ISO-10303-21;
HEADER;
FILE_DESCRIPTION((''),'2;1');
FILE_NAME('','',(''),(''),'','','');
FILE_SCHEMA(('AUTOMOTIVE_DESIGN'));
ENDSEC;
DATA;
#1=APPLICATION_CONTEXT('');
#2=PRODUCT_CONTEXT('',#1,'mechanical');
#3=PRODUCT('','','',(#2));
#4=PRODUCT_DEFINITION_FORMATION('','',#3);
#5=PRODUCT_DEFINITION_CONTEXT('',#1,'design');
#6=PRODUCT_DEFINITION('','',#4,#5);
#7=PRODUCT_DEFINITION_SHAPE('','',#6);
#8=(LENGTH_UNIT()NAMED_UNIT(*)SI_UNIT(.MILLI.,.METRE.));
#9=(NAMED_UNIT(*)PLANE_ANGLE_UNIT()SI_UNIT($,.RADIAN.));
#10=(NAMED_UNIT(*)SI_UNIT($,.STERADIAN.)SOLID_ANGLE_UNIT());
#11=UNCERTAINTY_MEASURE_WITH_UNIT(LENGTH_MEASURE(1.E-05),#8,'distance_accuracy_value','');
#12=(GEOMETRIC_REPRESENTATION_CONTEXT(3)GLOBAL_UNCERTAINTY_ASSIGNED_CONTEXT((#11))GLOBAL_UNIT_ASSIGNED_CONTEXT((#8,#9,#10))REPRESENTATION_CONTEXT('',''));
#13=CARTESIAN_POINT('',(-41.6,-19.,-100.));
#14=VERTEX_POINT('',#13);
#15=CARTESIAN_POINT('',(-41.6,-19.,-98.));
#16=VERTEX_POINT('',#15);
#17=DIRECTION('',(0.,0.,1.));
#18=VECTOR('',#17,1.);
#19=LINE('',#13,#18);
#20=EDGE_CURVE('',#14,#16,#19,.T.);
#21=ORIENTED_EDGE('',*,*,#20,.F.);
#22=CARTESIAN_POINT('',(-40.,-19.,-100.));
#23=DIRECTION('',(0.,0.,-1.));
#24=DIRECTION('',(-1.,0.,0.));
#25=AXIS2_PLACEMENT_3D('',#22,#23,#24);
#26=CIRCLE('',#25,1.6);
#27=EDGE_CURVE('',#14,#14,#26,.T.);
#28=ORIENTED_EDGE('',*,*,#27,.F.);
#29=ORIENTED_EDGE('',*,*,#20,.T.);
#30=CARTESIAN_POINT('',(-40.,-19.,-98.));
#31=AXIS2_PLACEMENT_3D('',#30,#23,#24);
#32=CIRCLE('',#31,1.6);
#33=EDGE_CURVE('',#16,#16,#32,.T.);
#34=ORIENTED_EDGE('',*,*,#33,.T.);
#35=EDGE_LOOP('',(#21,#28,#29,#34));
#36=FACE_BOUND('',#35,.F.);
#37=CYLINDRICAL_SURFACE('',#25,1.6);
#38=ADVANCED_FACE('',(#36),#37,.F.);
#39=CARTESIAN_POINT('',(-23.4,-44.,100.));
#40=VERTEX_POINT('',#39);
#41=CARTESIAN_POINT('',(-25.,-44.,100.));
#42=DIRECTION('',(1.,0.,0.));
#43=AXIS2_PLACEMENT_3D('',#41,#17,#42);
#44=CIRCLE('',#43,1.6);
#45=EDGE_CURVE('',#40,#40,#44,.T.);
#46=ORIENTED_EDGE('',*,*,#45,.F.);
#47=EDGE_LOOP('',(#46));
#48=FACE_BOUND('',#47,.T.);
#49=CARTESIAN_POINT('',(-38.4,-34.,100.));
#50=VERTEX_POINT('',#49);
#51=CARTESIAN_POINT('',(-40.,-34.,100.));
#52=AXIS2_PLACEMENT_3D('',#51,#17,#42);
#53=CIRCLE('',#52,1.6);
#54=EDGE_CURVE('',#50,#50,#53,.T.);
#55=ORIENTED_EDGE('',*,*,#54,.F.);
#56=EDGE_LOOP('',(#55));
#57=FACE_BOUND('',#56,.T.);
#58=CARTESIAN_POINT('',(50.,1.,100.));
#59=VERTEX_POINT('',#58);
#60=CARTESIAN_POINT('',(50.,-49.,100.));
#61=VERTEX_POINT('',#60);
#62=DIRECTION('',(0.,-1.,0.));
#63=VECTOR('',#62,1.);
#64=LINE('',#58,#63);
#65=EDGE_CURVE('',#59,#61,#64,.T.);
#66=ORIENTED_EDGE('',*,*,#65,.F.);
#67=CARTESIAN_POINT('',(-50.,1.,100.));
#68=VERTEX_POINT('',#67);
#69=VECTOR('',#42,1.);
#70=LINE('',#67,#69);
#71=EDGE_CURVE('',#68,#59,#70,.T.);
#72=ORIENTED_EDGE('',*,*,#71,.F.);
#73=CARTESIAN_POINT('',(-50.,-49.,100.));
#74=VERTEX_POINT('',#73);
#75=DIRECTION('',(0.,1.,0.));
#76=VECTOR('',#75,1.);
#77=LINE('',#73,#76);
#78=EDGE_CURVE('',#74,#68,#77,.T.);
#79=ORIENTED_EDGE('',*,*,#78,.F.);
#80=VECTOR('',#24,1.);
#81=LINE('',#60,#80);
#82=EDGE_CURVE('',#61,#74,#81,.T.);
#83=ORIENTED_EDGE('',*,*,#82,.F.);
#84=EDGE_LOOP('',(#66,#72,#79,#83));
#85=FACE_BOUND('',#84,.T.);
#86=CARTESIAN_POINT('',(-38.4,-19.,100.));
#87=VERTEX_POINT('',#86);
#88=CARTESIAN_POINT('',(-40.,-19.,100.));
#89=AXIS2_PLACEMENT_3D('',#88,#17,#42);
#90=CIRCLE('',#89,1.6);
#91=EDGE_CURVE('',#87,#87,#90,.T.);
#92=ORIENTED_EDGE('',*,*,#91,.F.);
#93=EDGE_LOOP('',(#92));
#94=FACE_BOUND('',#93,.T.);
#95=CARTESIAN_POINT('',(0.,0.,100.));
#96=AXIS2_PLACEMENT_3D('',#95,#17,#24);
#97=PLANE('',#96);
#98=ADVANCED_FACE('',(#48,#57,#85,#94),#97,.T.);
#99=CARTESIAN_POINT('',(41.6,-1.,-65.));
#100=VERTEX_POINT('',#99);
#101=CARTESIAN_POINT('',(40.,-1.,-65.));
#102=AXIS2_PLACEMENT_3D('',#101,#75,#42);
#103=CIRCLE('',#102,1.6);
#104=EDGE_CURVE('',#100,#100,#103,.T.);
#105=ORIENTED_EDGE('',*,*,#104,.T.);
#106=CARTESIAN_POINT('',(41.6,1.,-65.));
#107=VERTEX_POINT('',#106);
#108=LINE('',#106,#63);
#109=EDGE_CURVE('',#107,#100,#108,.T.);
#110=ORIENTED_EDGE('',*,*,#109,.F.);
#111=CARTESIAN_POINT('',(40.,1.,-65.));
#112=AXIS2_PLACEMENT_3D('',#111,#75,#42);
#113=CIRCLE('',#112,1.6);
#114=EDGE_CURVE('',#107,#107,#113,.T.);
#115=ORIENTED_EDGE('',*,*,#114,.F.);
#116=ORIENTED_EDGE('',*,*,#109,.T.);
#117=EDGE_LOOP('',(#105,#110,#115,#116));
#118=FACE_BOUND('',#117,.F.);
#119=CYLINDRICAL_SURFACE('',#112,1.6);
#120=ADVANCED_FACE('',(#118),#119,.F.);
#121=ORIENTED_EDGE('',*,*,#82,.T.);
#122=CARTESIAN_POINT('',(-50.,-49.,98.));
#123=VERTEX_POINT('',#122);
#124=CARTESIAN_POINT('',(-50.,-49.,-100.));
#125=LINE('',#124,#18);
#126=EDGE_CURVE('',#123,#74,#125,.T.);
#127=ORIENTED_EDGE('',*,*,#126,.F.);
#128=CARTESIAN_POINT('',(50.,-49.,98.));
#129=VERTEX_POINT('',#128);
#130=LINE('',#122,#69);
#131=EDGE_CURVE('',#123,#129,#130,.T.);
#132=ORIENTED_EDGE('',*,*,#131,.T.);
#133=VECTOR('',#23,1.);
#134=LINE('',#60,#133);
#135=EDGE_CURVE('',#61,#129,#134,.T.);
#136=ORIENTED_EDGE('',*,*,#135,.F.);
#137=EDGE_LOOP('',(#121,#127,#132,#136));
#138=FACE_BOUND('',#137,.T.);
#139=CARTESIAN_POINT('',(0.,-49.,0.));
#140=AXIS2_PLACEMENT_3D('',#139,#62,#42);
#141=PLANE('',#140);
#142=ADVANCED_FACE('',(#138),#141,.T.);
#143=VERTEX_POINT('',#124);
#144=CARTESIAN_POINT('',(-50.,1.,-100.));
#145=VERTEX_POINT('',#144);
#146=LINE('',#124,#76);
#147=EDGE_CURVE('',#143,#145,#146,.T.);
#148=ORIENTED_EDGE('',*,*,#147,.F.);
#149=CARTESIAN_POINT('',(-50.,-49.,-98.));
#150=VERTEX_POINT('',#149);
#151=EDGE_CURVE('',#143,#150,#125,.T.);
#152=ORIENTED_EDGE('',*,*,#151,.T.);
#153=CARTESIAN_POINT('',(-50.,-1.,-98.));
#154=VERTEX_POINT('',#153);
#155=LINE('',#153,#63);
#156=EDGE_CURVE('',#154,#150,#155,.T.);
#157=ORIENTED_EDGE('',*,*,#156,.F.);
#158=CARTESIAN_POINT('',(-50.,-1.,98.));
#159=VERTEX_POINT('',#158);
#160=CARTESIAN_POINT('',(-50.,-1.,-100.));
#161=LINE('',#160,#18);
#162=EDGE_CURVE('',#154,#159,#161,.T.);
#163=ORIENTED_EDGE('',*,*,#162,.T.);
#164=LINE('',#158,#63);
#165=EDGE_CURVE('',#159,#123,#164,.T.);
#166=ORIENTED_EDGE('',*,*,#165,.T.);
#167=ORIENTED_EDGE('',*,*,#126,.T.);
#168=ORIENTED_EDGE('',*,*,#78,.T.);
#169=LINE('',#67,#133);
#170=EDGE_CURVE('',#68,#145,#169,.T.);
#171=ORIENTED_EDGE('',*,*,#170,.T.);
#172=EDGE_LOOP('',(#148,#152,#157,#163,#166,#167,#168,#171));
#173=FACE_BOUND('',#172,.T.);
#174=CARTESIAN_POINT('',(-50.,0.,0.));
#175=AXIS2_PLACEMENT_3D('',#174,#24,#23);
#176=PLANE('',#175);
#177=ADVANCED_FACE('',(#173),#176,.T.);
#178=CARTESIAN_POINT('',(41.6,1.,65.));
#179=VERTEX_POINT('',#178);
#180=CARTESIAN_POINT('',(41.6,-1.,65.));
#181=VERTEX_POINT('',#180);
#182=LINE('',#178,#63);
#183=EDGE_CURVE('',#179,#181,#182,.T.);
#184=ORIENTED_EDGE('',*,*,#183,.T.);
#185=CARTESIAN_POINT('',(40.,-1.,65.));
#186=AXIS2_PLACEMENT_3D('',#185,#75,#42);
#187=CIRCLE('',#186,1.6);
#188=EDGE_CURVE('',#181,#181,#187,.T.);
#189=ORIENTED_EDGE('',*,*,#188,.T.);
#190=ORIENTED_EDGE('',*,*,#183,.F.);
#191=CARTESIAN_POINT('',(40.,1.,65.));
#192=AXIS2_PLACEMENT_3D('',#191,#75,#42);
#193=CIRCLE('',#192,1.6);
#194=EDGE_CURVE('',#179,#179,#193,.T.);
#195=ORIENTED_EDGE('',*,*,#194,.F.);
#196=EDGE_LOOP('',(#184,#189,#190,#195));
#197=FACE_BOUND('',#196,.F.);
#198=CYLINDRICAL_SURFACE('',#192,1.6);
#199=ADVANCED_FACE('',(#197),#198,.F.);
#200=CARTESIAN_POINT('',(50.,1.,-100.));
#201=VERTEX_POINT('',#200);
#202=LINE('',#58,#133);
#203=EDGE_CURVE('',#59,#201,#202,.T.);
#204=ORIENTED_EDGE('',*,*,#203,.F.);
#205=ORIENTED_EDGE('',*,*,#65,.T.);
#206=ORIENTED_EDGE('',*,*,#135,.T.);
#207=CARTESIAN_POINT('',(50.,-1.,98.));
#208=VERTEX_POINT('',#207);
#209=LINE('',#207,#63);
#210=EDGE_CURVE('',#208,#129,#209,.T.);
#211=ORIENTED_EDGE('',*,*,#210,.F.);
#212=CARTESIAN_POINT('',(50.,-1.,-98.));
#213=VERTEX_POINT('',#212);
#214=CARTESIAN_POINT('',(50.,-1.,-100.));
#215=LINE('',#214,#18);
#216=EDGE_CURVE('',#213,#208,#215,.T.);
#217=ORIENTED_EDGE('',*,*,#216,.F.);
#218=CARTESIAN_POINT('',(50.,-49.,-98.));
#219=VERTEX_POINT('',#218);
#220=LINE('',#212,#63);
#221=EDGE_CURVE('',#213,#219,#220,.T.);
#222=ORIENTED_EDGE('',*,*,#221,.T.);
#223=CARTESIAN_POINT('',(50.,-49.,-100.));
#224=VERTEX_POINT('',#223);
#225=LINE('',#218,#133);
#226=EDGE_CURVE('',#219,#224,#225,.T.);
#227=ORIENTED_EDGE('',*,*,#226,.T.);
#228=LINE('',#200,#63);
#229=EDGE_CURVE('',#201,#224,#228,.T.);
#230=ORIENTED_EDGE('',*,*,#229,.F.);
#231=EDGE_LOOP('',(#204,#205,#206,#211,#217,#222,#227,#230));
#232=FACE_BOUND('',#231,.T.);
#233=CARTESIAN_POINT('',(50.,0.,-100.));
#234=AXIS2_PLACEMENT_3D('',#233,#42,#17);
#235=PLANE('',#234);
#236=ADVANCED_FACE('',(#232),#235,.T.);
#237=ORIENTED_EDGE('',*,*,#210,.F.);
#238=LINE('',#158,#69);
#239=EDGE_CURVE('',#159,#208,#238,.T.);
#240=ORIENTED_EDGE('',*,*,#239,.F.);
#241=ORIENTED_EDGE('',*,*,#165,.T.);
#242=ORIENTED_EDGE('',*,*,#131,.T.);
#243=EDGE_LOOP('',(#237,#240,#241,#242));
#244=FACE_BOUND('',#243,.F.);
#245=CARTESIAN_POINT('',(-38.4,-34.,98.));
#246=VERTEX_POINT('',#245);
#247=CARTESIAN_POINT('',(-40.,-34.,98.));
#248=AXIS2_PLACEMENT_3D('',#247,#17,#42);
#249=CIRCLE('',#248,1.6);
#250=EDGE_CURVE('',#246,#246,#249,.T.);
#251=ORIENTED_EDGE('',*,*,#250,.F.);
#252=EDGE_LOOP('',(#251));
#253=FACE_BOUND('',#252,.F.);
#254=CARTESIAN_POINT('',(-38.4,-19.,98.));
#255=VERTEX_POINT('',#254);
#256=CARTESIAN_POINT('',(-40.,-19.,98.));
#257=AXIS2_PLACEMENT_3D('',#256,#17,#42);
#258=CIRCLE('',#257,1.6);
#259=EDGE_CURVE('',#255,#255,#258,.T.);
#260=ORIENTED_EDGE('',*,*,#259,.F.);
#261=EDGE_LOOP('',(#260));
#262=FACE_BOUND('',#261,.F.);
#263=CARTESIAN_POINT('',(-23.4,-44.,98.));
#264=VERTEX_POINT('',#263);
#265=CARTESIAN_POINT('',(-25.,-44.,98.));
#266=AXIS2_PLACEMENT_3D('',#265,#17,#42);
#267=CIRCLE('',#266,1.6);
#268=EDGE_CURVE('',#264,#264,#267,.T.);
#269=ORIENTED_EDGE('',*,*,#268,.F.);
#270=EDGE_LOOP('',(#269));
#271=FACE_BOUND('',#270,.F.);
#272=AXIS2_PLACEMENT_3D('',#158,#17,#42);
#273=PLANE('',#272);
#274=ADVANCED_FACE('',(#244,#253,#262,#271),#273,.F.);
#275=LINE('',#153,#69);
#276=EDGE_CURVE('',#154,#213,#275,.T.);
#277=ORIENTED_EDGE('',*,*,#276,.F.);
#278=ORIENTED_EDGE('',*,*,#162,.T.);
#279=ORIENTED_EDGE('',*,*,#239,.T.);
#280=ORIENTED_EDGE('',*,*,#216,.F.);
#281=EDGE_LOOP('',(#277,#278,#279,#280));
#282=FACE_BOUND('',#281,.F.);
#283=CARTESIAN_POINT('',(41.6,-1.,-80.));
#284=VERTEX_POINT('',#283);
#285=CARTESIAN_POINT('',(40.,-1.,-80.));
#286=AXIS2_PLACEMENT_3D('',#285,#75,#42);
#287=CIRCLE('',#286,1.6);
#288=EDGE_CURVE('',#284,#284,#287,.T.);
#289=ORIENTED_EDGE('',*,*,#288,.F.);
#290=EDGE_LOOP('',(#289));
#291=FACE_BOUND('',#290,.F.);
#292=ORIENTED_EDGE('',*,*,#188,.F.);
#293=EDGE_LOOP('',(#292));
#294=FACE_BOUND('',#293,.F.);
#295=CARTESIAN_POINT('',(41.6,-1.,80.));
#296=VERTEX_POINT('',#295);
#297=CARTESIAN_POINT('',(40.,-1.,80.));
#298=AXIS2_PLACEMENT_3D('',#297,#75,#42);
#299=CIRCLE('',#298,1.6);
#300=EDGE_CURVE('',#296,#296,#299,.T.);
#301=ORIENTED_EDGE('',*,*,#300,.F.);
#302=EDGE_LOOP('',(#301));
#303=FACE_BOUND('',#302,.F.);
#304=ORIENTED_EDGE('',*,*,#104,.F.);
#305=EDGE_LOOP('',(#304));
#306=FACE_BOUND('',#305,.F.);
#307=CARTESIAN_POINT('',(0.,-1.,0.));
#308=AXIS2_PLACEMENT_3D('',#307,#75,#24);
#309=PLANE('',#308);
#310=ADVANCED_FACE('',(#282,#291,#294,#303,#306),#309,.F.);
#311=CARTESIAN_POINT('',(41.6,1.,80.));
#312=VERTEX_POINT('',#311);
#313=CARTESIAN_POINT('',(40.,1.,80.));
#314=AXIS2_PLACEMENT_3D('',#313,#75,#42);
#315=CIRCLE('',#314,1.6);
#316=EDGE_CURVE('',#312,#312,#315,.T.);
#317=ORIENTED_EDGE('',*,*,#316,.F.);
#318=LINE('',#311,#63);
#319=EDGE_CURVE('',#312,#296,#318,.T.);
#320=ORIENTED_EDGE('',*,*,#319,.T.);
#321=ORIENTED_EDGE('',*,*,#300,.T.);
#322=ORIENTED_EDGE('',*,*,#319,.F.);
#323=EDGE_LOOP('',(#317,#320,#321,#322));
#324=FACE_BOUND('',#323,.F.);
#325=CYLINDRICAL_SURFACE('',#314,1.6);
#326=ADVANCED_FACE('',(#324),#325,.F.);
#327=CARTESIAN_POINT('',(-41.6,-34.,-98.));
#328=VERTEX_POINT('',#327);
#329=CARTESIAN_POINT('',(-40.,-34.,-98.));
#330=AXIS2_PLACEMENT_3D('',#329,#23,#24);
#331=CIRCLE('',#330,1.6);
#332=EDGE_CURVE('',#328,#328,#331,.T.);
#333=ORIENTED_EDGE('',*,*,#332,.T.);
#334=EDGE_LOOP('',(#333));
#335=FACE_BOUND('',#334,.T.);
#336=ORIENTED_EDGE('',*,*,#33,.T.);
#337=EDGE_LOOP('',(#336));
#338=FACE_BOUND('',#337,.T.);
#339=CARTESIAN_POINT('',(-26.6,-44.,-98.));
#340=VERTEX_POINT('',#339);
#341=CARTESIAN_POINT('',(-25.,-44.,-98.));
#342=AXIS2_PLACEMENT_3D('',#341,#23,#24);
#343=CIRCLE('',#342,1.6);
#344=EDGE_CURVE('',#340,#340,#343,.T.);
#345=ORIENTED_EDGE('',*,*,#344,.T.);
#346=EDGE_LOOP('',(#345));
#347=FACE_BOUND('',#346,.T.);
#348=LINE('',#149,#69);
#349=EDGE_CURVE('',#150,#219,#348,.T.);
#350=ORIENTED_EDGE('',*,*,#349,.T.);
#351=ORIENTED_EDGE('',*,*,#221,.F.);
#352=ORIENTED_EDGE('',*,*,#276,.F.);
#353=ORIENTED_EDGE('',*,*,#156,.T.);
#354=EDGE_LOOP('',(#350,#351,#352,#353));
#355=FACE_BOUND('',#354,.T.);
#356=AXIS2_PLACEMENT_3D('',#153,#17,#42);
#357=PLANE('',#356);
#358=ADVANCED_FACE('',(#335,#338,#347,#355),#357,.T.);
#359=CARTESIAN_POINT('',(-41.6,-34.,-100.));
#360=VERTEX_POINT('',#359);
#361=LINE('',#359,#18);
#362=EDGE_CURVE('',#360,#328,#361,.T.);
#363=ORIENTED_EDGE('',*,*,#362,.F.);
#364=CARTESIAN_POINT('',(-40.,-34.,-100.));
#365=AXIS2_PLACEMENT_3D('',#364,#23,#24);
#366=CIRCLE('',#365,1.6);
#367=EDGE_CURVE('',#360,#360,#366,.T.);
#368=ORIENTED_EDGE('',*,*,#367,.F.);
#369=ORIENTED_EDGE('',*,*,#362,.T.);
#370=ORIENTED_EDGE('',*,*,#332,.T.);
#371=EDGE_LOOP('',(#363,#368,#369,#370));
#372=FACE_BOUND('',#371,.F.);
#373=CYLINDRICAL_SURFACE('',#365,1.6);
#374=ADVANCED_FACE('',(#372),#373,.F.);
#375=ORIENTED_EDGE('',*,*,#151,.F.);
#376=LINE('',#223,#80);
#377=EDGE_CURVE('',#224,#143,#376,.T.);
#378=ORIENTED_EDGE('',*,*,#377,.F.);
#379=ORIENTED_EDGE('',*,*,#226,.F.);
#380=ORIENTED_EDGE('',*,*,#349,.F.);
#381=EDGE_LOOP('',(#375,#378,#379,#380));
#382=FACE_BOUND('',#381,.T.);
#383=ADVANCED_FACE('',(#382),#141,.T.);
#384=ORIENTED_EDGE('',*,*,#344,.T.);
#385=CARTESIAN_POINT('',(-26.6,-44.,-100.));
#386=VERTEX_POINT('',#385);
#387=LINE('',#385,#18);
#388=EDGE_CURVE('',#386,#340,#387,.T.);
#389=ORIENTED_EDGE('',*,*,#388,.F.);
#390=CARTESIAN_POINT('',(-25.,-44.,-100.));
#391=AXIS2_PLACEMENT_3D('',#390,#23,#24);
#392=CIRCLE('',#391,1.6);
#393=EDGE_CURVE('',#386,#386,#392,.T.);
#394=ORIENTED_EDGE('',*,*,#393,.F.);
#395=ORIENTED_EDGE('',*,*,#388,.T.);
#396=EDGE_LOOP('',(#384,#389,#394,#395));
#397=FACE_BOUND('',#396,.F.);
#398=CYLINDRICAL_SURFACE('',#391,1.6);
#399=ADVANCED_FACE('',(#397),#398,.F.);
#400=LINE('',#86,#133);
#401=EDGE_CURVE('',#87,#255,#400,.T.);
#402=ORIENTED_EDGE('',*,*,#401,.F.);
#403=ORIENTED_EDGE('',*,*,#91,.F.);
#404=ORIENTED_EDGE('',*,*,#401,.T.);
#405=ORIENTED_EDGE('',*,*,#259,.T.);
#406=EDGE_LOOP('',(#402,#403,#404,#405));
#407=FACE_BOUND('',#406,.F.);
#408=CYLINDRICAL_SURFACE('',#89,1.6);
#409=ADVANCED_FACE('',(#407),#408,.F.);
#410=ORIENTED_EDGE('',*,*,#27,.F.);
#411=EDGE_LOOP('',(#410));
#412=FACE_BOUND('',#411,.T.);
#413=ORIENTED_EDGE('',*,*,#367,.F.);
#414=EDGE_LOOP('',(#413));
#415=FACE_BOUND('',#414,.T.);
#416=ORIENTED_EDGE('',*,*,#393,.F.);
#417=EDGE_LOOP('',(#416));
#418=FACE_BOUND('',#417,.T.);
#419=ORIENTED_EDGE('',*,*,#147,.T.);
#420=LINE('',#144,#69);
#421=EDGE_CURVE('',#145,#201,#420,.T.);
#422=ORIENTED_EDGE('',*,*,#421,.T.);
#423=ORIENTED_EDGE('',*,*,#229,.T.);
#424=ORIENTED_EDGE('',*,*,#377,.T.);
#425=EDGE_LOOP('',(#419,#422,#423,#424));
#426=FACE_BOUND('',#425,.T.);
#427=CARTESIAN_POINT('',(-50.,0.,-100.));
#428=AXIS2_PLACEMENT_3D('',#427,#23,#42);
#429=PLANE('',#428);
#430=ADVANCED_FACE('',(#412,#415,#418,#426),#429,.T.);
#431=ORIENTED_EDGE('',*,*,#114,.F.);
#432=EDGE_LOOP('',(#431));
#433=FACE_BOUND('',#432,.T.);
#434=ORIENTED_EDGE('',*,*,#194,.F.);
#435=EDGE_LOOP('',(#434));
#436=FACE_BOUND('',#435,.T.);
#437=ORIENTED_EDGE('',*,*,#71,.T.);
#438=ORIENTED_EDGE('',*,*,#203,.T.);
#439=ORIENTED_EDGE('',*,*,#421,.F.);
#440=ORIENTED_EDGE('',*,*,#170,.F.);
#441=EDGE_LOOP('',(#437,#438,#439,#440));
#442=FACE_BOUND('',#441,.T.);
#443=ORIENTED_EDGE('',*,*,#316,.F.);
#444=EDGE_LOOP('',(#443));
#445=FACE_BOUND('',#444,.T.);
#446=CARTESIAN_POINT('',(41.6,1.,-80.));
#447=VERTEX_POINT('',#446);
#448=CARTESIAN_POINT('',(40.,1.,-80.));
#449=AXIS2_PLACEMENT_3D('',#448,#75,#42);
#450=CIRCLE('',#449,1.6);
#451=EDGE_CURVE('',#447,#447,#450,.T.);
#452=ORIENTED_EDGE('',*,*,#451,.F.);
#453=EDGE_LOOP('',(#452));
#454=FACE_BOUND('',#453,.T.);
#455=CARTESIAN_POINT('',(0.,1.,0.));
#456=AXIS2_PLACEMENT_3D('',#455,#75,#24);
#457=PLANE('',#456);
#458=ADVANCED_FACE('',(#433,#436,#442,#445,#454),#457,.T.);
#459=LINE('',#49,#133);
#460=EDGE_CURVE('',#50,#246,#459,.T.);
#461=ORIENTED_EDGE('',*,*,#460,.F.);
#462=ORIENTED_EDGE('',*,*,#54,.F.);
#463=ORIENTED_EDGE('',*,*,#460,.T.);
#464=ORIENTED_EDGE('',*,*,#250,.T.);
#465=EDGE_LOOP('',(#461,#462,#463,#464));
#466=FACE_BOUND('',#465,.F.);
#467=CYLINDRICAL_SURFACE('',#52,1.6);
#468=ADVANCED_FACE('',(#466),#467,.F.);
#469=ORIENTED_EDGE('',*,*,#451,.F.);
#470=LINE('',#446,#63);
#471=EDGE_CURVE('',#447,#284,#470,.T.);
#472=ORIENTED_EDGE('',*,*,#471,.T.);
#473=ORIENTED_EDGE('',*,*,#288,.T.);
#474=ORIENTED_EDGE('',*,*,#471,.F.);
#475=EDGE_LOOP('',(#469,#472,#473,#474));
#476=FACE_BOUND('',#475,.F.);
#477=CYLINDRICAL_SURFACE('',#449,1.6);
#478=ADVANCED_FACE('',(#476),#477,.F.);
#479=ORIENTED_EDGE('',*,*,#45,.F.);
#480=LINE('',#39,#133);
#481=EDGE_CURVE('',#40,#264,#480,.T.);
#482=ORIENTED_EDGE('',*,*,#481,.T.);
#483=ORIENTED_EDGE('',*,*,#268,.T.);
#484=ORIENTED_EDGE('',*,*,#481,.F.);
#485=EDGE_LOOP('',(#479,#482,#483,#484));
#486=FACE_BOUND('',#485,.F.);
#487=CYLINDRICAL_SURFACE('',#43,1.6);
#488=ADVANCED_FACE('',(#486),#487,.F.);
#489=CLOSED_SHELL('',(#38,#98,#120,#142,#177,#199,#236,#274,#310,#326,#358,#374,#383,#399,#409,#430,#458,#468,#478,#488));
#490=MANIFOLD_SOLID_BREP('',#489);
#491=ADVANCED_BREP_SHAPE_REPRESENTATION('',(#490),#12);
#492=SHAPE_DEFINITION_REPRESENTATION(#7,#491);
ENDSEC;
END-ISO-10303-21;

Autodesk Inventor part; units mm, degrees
ref_plane "YZ Plane" through (0, 0, 0) normal (1, 0, 0) x (0, 1, 0)
ref_plane "XZ Plane" through (0, 0, 0) normal (0, 1, 0) x (-1, 0, 0)
ref_plane "XY Plane" through (0, 0, 0) normal (0, 0, 1) x (1, 0, 0)
sketch "Skizze1" plane through (0, 0, 0) normal (0, 1, 0) x (-1, 0, 0)
  line L0 (50, -100) -> (-50, -100)
  line L1 (-50, -100) -> (-50, 100)
  line L2 (-50, 100) -> (50, 100)
  line L3 (50, 100) -> (50, -100)
  line L4 (0, -140) -> (0, 140) projected
  line L5 (70, 0) -> (-70, 0) projected
  point P0 (0, 0)
  dimension "d0" = 100
  dimension "d1" = 200
extrude "Extrusion1" add sketch "Skizze1" along normal mid plane 2
sketch "Skizze3" plane through (0, -1, 0) normal (0, -1, 0) x (1, 0, 0)
  line L0 (50, -100) -> (-50, -100) projected
  line L1 (-50, -100) -> (-50, 100) projected
  line L2 (50, -100) -> (-50, -100)
  line L3 (-50, -100) -> (-50, -98)
  line L4 (-50, -98) -> (50, -98)
  line L5 (50, -98) -> (50, -100)
  line L6 (50, 100) -> (50, -100) projected
  line L7 (50, 100) -> (-50, 100)
  line L8 (-50, 100) -> (-50, 98)
  line L9 (-50, 98) -> (50, 98)
  line L10 (50, 98) -> (50, 100)
  point P0 (0, 0)
  dimension "d8" = 2
  dimension "d9" = 2
extrude "Extrusion3" add sketch "Skizze3" along normal blind 48 contours L0 L1 L4 L5 | L9 L1 L7 L6
sketch "Skizze4" plane through (-50, 1, 100) normal (0, 0, 1) x (1, 0, 0)
  circle A0 centre (10, -20) radius 1.6
  circle A1 centre (10, -35) radius 1.6
  line L0 (100, -50) -> (0, -50) projected
  line L1 (0, -50) -> (0, 0) projected
  point P0 (50, -1)
  dimension "d12" = 3.2
  dimension "d13" = 3.2
  dimension "d14" = 15
  dimension "d15" = 15
  dimension "d16" = 10
  dimension "d17" = 10
extrude "Extrusion4" cut sketch "Skizze4" against normal up to surface (2 mm away)
sketch "Skizze5" plane through (50, 1, -100) normal (0, 0, -1) x (-1, 0, 0)
  circle A0 centre (90, -20) radius 1.6
  circle A1 centre (90, -35) radius 1.6
  line L0 (100, -50) -> (100, 0) projected
  line L1 (100, -50) -> (0, -50) projected
  point P0 (50, -1)
  dimension "d20" = 3.2
  dimension "d21" = 3.2
  dimension "d22" = 10
  dimension "d23" = 10
  dimension "d24" = 15
  dimension "d25" = 15
extrude "Extrusion5" cut sketch "Skizze5" against normal up to surface (2 mm away)
sketch "Skizze6" plane through (0, 1, 0) normal (0, 1, 0) x (1, 0, 0)
  line L0 (50, -100) -> (50, 100) projected
  circle A0 centre (40, -65) radius 1.6
  circle A1 centre (40, -80) radius 1.6
  circle A2 centre (40, 80) radius 1.6
  circle A3 centre (40, 65) radius 1.6
  line L1 (-50, -100) -> (50, -100) projected
  line L2 (50, 100) -> (-50, 100) projected
  point P0 (0, 0)
  dimension "d31" = 3.2
  dimension "d32" = 3.2
  dimension "d33" = 3.2
  dimension "d34" = 3.2
  dimension "d35" = 10
  dimension "d36" = 10
  dimension "d37" = 15
  dimension "d38" = 10
  dimension "d39" = 10
  dimension "d40" = 15
  dimension "d41" = 20
  dimension "d42" = 20
extrude "Extrusion6" cut sketch "Skizze6" against normal up to surface (2 mm away)
sketch "Skizze7" plane through (-50, 1, 100) normal (0, 0, 1) x (1, 0, 0)
  circle A0 centre (25, -45) radius 1.6
  line L0 (0, -50) -> (0, 0) projected
  line L1 (100, -50) -> (0, -50) projected
  point P0 (50, -1)
  dimension "d45" = 3.2
  dimension "d46" = 25
  dimension "d47" = 5
extrude "Extrusion7" cut sketch "Skizze7" against normal up to surface (2 mm away)
sketch "Skizze8" plane through (50, 1, -100) normal (0, 0, -1) x (-1, 0, 0)
  circle A0 centre (75, -45) radius 1.6
  line L0 (100, -50) -> (100, 0) projected
  line L1 (100, -50) -> (0, -50) projected
  point P0 (50, -1)
  dimension "d50" = 3.2
  dimension "d51" = 25
  dimension "d52" = 5
extrude "Extrusion8" cut sketch "Skizze8" against normal up to surface (2 mm away)
properties part number "_3D-Druck"
